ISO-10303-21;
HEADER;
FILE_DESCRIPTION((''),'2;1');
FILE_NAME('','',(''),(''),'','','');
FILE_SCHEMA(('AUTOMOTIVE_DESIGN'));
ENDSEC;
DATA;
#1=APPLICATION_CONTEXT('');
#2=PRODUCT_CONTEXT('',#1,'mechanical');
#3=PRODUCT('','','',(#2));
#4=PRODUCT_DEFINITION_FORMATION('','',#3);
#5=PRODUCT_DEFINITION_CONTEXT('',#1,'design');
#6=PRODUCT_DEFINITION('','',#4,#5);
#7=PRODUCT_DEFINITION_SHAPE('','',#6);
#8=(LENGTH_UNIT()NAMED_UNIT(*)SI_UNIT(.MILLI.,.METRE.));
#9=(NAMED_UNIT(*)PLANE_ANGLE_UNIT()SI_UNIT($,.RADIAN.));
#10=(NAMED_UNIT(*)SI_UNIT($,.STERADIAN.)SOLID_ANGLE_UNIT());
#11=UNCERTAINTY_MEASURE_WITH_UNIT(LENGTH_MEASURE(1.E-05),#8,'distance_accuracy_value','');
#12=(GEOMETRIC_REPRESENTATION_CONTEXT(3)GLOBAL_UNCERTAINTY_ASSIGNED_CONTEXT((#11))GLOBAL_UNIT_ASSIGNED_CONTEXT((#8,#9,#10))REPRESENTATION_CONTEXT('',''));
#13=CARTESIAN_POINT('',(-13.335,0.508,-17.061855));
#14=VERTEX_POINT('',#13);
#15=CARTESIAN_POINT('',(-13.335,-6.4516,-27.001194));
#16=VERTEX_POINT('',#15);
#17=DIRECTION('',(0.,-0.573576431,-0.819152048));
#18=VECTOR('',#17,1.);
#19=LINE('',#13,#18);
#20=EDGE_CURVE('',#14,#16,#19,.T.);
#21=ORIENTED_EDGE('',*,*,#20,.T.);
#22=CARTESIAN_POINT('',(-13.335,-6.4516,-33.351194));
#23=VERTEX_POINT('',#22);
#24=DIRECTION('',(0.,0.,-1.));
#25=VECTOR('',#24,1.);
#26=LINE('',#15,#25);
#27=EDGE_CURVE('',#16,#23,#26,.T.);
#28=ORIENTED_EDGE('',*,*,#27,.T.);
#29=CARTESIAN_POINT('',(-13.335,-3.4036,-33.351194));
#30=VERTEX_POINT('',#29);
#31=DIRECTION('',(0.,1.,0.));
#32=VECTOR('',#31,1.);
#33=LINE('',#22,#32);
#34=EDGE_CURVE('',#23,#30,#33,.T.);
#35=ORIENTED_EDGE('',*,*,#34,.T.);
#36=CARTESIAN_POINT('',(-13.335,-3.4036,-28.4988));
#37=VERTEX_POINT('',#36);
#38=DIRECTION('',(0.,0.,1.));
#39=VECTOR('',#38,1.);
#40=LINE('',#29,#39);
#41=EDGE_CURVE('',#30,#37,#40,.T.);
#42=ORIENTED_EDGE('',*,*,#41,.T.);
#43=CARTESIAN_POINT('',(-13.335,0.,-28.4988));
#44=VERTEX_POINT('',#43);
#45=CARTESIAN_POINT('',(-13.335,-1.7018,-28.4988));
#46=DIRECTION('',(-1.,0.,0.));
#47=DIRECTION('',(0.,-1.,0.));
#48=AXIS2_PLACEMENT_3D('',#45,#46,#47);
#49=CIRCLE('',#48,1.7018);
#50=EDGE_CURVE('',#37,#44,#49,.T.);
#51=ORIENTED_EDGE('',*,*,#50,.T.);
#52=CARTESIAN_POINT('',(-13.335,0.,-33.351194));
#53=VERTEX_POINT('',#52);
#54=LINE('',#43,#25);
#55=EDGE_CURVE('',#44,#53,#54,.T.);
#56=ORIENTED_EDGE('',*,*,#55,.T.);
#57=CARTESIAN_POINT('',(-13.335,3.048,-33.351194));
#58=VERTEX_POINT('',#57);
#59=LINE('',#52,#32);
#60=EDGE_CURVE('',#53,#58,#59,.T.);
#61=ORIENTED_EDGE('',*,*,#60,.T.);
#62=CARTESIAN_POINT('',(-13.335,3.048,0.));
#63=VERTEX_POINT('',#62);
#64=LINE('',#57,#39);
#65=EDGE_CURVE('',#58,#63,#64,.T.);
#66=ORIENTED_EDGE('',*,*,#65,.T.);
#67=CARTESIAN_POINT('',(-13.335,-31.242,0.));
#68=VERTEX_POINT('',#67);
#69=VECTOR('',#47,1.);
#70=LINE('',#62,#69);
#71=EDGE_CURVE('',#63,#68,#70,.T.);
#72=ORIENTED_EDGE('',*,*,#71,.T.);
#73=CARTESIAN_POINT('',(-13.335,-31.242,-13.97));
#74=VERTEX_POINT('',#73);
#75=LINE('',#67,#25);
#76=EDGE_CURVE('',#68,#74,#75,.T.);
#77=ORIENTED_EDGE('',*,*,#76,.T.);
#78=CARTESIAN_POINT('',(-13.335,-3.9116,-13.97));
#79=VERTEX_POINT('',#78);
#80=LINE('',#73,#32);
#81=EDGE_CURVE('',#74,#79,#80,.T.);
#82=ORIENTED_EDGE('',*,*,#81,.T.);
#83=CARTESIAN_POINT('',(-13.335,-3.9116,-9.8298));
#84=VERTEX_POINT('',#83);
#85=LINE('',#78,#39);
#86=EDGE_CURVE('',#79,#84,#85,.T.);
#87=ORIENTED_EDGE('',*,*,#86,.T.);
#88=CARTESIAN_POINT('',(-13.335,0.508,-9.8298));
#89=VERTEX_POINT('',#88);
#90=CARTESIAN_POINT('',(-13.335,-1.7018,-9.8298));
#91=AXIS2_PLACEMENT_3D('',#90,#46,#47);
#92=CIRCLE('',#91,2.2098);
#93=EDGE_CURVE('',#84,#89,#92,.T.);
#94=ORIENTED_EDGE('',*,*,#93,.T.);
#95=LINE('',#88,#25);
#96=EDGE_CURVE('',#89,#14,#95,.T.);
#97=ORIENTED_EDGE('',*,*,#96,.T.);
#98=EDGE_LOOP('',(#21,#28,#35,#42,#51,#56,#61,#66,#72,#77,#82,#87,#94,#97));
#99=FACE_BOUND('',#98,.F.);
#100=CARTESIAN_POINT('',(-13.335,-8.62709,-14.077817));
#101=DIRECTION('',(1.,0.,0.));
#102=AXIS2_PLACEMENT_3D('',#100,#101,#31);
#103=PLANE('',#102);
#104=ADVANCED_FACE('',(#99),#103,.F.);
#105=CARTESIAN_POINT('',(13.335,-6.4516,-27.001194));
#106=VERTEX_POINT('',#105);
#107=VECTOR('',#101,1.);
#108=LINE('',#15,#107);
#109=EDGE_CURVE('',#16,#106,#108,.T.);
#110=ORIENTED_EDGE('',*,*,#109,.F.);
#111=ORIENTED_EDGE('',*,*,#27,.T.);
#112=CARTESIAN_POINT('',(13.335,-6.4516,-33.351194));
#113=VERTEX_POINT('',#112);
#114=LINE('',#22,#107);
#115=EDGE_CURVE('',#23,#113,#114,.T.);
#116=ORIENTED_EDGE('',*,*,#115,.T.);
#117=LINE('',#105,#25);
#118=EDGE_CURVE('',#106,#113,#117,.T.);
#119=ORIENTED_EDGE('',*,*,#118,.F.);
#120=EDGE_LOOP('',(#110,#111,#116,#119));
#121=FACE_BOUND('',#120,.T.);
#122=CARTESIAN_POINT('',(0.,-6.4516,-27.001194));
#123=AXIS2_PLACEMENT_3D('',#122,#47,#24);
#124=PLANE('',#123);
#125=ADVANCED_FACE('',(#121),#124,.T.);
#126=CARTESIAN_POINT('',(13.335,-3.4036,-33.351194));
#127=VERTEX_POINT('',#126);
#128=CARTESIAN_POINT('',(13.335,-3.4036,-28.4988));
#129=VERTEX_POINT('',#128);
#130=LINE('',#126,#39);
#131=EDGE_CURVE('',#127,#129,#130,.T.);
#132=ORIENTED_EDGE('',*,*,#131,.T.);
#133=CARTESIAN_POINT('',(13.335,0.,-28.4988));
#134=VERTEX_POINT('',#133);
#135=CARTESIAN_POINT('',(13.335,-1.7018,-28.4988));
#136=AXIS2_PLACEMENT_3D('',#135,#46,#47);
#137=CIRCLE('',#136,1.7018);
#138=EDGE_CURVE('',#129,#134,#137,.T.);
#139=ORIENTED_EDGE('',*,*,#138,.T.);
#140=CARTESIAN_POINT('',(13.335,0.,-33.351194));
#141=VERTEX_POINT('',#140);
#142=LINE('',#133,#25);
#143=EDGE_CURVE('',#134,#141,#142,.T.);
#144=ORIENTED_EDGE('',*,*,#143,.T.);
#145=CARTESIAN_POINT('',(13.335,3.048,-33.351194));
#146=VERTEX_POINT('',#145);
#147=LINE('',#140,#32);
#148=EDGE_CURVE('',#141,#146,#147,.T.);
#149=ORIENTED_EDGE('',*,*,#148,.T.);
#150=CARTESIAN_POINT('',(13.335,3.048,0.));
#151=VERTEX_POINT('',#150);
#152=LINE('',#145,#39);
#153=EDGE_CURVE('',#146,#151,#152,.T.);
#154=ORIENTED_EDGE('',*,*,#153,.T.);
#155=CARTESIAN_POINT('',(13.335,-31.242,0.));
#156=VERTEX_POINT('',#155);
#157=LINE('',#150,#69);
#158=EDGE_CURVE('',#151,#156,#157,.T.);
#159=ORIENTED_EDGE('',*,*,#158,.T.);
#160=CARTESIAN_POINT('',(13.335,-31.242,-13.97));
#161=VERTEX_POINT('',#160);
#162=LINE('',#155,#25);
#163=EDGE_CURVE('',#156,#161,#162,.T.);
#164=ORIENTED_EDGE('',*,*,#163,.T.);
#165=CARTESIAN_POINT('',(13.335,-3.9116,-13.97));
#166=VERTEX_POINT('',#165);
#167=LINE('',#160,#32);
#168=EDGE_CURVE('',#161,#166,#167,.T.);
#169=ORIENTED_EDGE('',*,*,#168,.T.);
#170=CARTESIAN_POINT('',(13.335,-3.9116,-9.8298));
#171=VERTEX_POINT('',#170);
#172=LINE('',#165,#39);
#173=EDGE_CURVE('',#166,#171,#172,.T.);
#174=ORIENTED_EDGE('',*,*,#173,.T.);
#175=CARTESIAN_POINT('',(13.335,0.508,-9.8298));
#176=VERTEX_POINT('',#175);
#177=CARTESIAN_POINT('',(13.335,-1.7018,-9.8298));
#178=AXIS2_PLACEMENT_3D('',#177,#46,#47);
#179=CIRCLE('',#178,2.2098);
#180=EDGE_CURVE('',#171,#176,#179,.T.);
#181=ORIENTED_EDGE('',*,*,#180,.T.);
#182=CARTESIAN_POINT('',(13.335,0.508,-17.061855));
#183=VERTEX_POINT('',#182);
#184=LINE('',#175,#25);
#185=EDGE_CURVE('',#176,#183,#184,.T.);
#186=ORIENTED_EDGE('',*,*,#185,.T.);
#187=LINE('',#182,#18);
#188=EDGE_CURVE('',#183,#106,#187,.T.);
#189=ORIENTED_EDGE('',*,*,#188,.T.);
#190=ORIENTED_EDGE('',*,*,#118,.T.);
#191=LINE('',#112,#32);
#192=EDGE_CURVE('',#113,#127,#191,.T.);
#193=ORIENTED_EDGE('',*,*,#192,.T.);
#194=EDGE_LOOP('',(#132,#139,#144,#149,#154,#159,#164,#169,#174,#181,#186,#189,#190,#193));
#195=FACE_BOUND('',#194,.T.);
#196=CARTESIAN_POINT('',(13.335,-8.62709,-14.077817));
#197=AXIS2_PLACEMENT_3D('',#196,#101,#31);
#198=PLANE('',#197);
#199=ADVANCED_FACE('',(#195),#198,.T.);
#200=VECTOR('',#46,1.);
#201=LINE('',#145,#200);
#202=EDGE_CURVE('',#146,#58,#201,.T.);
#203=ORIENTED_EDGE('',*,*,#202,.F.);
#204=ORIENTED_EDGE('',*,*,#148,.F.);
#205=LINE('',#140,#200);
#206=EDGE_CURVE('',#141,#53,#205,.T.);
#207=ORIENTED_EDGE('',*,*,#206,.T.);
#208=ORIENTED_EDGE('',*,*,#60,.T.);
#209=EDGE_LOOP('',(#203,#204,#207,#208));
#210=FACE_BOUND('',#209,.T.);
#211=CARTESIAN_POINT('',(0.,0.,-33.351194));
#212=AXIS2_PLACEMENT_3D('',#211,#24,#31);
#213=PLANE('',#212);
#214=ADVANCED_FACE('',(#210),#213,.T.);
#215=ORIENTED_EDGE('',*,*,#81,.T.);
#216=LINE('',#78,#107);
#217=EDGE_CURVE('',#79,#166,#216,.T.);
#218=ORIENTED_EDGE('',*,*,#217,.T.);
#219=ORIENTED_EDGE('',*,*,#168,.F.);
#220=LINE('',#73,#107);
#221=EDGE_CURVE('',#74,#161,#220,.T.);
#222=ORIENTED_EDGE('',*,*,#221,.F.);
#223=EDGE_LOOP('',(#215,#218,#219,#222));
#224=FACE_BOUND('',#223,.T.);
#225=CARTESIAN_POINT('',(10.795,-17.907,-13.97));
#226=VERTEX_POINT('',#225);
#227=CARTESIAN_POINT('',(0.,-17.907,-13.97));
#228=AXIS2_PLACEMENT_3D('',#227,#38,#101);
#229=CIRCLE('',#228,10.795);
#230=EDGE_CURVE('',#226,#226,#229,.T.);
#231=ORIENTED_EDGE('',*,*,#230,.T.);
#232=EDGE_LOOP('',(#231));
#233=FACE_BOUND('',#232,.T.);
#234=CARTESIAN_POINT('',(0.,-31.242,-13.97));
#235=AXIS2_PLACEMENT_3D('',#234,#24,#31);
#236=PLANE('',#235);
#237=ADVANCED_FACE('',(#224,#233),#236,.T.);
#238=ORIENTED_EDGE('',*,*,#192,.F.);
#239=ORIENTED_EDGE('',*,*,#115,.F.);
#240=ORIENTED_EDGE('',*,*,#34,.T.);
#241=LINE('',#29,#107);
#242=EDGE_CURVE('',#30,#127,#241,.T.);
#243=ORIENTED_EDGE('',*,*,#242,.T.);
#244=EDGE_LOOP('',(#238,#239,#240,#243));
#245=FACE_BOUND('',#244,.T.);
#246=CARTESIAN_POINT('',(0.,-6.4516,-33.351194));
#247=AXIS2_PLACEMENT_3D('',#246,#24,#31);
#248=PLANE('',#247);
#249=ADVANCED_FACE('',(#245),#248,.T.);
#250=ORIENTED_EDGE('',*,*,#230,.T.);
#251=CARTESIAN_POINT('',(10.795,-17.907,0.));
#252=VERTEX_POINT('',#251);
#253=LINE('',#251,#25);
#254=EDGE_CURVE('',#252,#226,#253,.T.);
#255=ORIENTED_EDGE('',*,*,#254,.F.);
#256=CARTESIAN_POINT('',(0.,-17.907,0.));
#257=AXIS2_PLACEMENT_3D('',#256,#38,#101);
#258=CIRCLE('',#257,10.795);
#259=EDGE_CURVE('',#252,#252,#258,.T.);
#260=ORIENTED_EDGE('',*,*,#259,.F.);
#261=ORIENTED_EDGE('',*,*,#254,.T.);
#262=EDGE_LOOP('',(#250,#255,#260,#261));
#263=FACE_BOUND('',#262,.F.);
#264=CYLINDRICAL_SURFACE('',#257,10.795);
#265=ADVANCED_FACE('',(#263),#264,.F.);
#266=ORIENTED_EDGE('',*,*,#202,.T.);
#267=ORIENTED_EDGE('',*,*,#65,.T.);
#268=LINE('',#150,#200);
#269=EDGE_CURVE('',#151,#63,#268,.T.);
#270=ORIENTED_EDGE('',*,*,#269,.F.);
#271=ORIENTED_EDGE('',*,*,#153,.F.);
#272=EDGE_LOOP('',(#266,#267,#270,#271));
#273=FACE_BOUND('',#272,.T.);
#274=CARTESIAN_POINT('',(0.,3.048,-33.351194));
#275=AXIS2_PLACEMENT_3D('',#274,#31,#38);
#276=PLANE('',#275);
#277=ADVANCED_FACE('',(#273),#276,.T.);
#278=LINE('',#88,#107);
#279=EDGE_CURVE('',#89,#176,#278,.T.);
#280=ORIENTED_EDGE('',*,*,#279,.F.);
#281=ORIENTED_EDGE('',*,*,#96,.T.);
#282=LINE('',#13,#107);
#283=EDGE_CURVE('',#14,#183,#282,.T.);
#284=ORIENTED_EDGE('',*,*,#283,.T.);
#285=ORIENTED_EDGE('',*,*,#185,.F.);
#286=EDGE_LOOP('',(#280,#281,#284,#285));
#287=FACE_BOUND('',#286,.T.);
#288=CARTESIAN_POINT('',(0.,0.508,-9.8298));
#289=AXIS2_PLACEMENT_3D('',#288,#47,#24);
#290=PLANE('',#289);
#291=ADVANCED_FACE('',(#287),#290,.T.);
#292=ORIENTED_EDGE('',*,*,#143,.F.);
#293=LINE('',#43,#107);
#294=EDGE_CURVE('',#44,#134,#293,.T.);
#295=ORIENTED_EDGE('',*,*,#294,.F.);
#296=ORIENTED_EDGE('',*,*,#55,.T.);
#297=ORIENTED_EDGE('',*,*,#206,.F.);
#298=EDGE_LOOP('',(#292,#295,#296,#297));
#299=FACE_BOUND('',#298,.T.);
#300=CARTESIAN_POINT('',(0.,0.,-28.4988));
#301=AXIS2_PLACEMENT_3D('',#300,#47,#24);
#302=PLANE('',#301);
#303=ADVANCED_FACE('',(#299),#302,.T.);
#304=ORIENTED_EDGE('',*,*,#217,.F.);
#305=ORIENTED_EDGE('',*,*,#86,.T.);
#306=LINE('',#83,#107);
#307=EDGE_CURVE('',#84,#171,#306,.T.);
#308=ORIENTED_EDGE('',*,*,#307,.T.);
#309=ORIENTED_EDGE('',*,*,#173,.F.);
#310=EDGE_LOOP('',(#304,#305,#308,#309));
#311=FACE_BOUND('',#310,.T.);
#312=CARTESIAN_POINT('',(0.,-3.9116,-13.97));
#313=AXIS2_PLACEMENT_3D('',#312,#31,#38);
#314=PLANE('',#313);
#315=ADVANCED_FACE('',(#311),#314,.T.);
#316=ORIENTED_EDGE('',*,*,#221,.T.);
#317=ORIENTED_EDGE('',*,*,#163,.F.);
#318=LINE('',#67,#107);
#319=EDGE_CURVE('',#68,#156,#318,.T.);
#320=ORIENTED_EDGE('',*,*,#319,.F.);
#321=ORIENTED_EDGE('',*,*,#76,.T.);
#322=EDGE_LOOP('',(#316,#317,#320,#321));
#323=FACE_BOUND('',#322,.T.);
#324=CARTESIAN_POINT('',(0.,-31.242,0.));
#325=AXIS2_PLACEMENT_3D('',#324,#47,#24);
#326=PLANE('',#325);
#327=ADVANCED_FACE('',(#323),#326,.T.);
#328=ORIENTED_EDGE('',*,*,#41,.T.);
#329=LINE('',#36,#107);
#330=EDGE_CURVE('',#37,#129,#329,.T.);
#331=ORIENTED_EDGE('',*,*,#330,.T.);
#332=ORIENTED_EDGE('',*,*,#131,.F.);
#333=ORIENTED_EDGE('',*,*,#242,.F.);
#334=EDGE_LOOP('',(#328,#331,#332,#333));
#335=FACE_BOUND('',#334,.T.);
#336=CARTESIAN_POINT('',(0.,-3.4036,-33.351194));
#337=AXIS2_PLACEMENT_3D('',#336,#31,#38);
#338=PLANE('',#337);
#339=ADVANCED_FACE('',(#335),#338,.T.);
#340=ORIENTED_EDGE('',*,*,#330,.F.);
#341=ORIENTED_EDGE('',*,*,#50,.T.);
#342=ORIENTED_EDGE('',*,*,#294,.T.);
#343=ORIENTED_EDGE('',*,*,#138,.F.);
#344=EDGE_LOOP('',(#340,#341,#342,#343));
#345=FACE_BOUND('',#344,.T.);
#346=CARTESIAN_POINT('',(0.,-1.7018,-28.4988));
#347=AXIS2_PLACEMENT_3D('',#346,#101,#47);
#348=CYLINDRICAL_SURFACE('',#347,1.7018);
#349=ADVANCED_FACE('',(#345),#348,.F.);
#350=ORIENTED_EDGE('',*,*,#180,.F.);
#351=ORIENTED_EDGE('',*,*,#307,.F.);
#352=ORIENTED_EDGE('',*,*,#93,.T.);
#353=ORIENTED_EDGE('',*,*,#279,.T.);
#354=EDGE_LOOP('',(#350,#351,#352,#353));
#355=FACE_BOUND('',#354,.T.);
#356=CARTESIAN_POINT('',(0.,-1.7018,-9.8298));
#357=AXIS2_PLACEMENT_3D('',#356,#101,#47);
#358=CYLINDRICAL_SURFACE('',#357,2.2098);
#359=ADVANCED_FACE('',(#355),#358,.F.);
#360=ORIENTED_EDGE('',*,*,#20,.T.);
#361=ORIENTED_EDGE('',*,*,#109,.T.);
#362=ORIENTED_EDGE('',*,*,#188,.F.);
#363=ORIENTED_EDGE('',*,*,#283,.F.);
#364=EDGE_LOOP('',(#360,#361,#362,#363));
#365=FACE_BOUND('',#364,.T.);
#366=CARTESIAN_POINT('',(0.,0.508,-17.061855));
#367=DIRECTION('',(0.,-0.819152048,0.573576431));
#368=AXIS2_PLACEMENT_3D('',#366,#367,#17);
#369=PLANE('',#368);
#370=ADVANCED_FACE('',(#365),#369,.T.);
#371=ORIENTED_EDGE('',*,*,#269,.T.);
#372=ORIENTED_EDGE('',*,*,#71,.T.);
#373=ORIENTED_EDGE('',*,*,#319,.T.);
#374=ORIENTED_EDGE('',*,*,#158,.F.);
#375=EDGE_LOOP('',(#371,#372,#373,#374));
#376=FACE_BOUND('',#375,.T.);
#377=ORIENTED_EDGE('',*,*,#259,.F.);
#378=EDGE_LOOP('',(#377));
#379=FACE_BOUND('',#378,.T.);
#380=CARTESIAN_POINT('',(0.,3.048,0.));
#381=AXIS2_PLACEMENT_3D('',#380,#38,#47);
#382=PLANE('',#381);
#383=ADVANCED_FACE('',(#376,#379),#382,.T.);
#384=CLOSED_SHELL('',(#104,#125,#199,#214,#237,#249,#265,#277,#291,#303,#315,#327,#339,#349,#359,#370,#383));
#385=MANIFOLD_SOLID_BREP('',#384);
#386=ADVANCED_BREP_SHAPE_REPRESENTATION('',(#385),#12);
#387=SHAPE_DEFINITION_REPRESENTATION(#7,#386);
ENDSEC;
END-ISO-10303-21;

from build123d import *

# Parameters (mm, degrees)
F1_DEPTH = 13.335
F2_R     = 10.795
F3_DEPTH = 33.352194


with BuildPart() as f1:
    # F0 (on Right) → F1 (new body, symmetric)
    with BuildSketch(Plane.YZ):
        with BuildLine():
            Line((3.048, 0), (-31.242, 0))
            Line((-31.242, 0), (-31.242, -13.97))
            Line((-31.242, -13.97), (-3.9116, -13.97))
            Line((-3.9116, -13.97), (-3.9116, -9.8298))
            ThreePointArc((-3.9116, -9.8298), (-1.7018, -7.62), (0.508, -9.8298))
            Line((0.508, -9.8298), (0.508, -17.061855))
            Line((0.508, -17.061855), (-6.4516, -27.001194))
            Line((-6.4516, -27.001194), (-6.4516, -33.351194))
            Line((-6.4516, -33.351194), (-3.4036, -33.351194))
            Line((-3.4036, -33.351194), (-3.4036, -28.4988))
            ThreePointArc((-3.4036, -28.4988), (-1.7018, -26.797), (0, -28.4988))
            Line((0, -28.4988), (0, -33.351194))
            Line((0, -33.351194), (3.048, -33.351194))
            Line((3.048, -33.351194), (3.048, 0))
        make_face()
    extrude(amount=F1_DEPTH, both=True)

    # F2 (on Top) → F3 (cut, through all)
    with BuildSketch(Plane.XY):
        with Locations((0, -17.907)):
            Circle(F2_R)
    extrude(amount=-F3_DEPTH, mode=Mode.SUBTRACT)


solid = f1.part
